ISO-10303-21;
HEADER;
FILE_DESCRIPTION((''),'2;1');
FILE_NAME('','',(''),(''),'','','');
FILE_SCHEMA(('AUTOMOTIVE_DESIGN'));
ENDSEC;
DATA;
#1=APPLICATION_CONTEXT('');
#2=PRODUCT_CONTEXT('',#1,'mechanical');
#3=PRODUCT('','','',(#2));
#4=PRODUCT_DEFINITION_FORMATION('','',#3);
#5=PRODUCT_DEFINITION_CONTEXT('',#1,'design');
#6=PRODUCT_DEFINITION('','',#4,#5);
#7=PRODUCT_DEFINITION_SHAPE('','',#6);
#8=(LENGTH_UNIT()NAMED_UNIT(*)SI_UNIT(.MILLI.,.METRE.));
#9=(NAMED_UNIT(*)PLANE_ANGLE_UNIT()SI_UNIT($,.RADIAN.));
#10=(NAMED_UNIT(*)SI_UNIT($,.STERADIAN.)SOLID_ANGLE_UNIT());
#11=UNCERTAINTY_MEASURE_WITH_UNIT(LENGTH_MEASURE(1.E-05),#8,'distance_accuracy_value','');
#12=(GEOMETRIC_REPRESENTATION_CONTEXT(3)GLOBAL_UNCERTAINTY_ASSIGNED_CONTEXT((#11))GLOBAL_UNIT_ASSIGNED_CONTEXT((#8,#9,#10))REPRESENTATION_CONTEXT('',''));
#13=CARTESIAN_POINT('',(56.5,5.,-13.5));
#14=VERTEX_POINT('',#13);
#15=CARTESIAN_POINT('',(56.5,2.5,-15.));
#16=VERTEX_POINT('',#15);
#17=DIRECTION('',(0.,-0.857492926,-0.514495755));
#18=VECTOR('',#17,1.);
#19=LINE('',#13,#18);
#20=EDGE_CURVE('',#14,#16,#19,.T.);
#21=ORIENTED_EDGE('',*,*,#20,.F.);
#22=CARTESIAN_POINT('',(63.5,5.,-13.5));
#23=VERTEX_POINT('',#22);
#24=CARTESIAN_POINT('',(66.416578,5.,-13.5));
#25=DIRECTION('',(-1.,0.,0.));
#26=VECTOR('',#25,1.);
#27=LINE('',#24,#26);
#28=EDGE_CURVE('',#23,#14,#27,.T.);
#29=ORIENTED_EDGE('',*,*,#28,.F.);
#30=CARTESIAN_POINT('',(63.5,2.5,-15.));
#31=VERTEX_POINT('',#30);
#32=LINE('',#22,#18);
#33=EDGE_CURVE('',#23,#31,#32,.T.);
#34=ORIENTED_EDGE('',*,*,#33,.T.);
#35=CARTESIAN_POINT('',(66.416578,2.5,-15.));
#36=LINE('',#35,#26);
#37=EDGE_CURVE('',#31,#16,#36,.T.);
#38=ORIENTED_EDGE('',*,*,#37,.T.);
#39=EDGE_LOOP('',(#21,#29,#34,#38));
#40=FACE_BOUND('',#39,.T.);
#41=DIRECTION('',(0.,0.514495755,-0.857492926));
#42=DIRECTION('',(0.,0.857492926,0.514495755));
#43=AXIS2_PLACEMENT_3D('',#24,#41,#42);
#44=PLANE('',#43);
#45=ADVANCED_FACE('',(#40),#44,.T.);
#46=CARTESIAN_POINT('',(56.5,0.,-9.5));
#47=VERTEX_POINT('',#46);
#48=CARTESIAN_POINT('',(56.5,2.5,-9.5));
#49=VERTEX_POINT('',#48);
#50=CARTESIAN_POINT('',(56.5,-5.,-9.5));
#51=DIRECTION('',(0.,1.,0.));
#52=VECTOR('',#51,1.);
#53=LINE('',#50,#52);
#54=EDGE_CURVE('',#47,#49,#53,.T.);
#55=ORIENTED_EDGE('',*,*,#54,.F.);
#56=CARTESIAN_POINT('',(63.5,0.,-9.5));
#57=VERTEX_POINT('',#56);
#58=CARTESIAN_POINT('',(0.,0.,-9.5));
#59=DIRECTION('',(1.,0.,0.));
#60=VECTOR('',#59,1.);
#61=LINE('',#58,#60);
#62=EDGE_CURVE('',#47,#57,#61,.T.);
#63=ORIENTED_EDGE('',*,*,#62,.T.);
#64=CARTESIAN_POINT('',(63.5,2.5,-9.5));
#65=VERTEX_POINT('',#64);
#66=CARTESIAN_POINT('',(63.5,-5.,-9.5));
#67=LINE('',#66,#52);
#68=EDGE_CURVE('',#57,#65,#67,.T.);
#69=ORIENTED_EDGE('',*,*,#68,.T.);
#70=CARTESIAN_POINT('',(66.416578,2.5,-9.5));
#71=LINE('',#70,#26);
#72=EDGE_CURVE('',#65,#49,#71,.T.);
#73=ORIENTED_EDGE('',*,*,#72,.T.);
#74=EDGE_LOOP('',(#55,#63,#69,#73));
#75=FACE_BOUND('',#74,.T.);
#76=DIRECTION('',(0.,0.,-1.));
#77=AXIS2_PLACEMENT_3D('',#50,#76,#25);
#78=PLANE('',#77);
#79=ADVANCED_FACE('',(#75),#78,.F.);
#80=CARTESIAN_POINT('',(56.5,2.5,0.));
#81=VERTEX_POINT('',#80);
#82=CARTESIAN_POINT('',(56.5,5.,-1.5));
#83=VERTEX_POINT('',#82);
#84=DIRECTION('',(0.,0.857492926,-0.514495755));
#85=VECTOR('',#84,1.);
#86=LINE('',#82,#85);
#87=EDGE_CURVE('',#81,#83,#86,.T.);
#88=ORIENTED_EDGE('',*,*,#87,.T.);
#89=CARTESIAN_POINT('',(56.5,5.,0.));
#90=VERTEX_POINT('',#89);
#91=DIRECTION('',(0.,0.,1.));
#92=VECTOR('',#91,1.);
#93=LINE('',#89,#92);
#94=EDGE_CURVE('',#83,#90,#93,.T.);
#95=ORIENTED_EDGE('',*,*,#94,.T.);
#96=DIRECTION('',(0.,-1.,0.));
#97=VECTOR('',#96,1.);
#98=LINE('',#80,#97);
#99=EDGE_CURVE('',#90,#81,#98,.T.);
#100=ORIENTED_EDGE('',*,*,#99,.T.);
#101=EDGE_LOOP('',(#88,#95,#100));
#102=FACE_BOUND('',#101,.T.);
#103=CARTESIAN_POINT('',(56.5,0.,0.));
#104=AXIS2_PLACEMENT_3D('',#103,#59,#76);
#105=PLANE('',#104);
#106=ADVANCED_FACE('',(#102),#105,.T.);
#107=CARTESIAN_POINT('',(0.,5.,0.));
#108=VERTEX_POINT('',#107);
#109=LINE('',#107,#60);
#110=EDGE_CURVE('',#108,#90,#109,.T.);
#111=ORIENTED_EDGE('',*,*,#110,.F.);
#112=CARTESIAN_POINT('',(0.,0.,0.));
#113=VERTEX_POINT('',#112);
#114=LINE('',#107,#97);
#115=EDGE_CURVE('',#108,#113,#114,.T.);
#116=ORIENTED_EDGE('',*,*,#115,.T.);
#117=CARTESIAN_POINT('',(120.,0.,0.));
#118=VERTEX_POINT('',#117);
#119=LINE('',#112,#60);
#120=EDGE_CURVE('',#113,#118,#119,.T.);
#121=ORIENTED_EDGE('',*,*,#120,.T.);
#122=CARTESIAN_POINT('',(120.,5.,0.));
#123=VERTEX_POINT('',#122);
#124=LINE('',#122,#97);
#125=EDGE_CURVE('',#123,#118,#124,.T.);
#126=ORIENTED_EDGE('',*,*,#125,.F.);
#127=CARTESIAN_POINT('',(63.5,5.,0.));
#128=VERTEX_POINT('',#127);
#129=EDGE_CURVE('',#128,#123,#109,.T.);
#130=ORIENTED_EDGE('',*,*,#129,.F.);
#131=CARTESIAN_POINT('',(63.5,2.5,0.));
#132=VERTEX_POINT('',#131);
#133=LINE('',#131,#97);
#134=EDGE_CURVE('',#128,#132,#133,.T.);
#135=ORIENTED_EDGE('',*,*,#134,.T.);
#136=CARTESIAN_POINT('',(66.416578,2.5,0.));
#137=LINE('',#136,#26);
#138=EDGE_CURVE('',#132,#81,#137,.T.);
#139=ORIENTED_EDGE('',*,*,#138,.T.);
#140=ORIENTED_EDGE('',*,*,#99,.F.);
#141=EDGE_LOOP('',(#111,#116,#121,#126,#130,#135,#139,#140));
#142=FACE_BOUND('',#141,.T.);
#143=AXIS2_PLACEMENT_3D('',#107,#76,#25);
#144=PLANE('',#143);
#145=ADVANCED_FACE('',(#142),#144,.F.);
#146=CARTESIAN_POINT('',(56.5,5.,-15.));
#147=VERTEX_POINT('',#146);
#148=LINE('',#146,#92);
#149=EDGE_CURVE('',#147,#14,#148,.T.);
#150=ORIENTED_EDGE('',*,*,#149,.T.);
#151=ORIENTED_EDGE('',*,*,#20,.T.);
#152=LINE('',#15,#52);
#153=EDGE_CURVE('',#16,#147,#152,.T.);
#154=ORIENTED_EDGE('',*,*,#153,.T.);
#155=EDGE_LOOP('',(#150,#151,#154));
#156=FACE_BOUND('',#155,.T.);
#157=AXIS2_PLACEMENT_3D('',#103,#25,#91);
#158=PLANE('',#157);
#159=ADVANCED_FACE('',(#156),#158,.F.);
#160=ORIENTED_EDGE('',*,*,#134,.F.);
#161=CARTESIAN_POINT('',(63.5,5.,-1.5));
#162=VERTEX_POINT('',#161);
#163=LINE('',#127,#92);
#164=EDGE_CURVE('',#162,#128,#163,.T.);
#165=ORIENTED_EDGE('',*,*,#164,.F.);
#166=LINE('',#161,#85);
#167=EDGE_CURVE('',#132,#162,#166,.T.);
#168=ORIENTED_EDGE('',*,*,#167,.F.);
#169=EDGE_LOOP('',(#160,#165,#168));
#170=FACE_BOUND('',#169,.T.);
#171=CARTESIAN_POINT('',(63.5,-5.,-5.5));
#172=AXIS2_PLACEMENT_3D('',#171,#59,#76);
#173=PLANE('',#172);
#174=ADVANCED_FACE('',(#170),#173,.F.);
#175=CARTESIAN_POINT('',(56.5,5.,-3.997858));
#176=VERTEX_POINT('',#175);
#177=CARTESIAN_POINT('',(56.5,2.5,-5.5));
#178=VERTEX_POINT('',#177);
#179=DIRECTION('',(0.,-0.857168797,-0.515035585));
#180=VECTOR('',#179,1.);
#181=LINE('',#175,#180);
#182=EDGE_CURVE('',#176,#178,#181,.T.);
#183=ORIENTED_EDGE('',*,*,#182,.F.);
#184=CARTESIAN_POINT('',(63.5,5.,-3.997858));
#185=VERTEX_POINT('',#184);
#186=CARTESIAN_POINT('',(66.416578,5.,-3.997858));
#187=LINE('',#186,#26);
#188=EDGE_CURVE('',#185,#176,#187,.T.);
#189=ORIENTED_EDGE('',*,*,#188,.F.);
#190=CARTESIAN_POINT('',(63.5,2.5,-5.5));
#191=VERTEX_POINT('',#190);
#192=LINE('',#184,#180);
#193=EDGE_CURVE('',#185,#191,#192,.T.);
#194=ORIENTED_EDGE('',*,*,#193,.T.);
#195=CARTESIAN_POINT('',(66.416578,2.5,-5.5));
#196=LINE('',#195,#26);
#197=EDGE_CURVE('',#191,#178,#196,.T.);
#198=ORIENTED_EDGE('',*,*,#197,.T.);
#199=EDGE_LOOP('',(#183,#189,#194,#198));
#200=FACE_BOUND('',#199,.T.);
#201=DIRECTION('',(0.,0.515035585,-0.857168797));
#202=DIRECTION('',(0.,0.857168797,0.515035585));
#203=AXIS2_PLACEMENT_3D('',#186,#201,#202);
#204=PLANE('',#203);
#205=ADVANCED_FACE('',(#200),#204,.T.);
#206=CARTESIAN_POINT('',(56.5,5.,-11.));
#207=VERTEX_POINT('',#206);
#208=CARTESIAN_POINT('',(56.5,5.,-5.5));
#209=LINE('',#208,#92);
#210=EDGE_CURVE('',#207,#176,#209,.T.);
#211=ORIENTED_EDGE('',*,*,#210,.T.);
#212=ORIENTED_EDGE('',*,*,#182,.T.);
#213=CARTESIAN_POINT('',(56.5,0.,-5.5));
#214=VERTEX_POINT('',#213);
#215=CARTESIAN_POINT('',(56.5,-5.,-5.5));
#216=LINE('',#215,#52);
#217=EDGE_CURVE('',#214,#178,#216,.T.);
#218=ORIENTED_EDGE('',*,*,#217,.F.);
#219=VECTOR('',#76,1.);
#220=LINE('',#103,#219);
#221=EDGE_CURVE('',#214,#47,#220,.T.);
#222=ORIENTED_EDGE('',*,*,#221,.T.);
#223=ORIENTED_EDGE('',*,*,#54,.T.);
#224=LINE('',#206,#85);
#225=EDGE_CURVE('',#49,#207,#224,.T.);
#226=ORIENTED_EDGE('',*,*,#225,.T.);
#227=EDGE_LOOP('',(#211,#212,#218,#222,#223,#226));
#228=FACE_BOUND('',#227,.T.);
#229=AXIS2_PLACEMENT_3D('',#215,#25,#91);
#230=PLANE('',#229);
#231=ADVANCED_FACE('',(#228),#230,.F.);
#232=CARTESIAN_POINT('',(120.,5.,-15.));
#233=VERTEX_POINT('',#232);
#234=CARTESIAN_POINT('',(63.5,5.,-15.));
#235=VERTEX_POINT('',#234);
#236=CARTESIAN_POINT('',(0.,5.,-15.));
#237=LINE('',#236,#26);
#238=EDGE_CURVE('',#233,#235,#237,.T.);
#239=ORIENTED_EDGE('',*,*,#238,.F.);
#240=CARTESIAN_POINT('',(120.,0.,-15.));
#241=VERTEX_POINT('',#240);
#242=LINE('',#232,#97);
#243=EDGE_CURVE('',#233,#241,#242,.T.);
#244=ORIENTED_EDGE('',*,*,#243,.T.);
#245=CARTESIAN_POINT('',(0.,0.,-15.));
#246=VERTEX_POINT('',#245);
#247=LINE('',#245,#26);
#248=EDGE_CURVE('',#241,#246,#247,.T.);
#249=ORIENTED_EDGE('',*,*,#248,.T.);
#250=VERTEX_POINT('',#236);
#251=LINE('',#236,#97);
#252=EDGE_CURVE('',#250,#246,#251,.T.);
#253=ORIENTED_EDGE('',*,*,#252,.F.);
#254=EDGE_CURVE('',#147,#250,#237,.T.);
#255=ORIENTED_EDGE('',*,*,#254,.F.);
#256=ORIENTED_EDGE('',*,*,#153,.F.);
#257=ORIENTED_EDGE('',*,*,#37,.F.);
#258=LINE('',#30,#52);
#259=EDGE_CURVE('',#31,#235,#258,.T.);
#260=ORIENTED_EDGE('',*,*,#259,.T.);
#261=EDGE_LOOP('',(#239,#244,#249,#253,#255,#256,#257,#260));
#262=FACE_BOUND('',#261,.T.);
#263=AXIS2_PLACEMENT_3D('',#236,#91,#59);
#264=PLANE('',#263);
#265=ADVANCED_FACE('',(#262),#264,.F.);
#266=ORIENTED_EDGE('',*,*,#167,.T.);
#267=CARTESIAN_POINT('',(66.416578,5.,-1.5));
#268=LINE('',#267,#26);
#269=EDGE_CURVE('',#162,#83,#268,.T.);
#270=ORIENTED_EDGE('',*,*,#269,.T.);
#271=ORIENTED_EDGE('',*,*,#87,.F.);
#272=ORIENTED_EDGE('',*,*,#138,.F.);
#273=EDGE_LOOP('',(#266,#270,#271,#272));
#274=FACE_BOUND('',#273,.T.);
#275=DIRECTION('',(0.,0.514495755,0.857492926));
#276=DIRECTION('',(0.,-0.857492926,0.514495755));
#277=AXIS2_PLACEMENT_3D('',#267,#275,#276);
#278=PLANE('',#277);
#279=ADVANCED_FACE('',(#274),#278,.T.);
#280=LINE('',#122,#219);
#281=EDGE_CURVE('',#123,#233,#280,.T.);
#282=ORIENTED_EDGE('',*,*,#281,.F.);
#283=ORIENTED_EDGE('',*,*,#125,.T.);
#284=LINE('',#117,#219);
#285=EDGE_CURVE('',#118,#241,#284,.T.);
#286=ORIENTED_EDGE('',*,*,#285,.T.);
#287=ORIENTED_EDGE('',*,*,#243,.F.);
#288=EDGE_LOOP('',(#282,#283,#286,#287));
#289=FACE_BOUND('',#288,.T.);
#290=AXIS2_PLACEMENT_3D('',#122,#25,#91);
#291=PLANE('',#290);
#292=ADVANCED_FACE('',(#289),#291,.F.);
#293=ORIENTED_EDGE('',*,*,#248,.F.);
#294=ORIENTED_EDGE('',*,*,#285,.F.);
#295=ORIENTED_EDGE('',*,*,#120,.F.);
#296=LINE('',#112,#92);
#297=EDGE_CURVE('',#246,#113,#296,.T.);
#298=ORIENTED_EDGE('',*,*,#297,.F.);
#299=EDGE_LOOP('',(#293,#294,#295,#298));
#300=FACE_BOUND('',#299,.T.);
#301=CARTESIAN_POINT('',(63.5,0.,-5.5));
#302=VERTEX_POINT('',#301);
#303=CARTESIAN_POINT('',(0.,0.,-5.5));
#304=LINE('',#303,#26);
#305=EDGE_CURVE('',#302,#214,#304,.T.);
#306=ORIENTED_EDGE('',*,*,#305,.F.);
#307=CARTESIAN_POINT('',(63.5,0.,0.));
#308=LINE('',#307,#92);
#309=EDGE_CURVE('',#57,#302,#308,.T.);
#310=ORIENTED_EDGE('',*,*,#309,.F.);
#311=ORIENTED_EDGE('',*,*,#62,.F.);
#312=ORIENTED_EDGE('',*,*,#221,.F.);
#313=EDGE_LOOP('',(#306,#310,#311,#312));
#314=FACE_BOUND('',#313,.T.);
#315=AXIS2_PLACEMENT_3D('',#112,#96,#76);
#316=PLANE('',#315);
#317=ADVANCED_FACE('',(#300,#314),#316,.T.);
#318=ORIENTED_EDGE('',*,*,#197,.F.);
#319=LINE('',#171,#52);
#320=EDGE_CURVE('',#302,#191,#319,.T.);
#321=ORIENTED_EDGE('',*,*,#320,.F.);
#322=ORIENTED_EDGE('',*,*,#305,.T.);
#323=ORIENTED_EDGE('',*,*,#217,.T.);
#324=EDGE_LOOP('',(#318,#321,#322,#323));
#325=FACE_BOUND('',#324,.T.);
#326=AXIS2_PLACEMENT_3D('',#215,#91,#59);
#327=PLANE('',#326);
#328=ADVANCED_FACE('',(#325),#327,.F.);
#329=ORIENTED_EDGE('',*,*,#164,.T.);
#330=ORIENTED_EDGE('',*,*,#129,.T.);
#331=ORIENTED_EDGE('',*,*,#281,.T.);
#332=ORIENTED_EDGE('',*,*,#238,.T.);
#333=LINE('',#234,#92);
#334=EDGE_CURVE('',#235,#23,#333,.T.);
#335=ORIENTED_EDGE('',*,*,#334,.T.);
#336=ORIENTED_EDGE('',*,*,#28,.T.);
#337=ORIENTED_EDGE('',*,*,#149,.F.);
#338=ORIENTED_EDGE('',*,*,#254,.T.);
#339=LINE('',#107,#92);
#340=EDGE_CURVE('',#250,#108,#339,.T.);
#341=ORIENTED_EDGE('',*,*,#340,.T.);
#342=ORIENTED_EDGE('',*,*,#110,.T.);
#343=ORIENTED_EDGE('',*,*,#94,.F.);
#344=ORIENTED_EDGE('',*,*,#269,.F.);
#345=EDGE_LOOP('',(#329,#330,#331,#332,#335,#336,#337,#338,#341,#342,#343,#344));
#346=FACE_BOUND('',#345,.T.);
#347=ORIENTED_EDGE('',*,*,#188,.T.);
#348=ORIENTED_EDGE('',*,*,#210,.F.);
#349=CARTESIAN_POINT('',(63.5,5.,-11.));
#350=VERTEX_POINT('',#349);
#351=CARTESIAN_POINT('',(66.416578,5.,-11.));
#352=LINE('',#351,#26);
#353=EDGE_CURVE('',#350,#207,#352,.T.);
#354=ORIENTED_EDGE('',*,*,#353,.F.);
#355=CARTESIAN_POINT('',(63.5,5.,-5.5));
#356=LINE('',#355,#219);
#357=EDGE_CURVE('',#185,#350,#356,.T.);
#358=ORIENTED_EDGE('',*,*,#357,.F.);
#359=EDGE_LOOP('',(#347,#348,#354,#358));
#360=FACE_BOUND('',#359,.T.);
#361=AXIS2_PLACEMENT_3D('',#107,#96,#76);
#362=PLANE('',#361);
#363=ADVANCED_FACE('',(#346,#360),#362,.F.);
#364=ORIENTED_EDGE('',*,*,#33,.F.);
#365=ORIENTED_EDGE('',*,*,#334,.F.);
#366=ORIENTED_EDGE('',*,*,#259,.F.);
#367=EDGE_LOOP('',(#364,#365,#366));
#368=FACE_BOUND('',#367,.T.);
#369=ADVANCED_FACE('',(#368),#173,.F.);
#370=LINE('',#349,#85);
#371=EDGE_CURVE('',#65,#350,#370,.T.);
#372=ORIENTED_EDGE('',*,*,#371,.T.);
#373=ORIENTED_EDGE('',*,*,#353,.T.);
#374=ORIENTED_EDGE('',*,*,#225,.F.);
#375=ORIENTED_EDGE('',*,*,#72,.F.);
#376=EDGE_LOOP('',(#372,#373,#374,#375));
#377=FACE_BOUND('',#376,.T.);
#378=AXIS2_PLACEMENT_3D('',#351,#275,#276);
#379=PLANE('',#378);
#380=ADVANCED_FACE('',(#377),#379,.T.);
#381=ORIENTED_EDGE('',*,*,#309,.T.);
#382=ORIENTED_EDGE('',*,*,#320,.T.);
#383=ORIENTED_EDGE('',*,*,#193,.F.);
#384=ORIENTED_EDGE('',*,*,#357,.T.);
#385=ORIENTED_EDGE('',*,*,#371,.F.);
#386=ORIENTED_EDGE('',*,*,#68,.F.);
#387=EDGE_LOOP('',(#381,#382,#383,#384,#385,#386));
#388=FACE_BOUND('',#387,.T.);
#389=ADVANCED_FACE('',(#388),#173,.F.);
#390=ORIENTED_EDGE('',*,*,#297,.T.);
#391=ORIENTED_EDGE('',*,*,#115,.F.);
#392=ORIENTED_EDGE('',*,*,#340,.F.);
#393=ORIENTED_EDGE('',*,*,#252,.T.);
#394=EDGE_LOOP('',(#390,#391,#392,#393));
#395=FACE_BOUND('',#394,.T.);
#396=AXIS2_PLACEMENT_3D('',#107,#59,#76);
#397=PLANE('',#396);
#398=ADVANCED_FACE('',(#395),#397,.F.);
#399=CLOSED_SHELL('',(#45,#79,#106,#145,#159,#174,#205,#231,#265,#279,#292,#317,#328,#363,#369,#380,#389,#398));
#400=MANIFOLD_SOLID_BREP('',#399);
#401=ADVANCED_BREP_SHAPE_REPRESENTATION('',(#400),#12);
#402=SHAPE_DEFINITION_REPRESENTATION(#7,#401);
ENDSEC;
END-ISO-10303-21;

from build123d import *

# Parameters (mm, degrees)
SKETCH1_W           = 120
SKETCH1_H           = 15
BOSS_EXTRUDE1_DEPTH = 5
SKETCH2_W           = 7
SKETCH2_H           = 4
CUT_EXTRUDE1_DEPTH  = 10
CUT_EXTRUDE2_DEPTH  = 7


with BuildPart() as part:
    # Sketch1 → Boss-Extrude1 (new body)
    with BuildSketch(Plane(origin=(0, 0, 0), x_dir=(1, 0, 0), z_dir=(0, 1, 0))):
        with Locations((60, 7.5)):
            Rectangle(SKETCH1_W, SKETCH1_H)
    extrude(amount=BOSS_EXTRUDE1_DEPTH)

    # Sketch2 → Cut-Extrude1 (cut)
    with BuildSketch(Plane(origin=(0, 5, 0), x_dir=(1, 0, 0), z_dir=(0, 1, 0))):
        with Locations((60, 7.5)):
            Rectangle(SKETCH2_W, SKETCH2_H)
    extrude(amount=-CUT_EXTRUDE1_DEPTH, mode=Mode.SUBTRACT)

    # Sketch3 → Cut-Extrude2 (cut)
    with BuildSketch(Plane(origin=(56.5, 0, 0), x_dir=(0, 0, -1), z_dir=(1, 0, 0))):
        Polygon((5.5, 5), (3.997858335, 5), (5.5, 2.5), align=None)
        Polygon((9.5, 5), (11, 5), (9.5, 2.5), align=None)
        Polygon((1.5, 5), (0, 2.5), (0, 5), align=None)
        Polygon((13.5, 5), (15, 2.5), (15, 5), align=None)
    extrude(amount=CUT_EXTRUDE2_DEPTH, mode=Mode.SUBTRACT)


solid = part.part
